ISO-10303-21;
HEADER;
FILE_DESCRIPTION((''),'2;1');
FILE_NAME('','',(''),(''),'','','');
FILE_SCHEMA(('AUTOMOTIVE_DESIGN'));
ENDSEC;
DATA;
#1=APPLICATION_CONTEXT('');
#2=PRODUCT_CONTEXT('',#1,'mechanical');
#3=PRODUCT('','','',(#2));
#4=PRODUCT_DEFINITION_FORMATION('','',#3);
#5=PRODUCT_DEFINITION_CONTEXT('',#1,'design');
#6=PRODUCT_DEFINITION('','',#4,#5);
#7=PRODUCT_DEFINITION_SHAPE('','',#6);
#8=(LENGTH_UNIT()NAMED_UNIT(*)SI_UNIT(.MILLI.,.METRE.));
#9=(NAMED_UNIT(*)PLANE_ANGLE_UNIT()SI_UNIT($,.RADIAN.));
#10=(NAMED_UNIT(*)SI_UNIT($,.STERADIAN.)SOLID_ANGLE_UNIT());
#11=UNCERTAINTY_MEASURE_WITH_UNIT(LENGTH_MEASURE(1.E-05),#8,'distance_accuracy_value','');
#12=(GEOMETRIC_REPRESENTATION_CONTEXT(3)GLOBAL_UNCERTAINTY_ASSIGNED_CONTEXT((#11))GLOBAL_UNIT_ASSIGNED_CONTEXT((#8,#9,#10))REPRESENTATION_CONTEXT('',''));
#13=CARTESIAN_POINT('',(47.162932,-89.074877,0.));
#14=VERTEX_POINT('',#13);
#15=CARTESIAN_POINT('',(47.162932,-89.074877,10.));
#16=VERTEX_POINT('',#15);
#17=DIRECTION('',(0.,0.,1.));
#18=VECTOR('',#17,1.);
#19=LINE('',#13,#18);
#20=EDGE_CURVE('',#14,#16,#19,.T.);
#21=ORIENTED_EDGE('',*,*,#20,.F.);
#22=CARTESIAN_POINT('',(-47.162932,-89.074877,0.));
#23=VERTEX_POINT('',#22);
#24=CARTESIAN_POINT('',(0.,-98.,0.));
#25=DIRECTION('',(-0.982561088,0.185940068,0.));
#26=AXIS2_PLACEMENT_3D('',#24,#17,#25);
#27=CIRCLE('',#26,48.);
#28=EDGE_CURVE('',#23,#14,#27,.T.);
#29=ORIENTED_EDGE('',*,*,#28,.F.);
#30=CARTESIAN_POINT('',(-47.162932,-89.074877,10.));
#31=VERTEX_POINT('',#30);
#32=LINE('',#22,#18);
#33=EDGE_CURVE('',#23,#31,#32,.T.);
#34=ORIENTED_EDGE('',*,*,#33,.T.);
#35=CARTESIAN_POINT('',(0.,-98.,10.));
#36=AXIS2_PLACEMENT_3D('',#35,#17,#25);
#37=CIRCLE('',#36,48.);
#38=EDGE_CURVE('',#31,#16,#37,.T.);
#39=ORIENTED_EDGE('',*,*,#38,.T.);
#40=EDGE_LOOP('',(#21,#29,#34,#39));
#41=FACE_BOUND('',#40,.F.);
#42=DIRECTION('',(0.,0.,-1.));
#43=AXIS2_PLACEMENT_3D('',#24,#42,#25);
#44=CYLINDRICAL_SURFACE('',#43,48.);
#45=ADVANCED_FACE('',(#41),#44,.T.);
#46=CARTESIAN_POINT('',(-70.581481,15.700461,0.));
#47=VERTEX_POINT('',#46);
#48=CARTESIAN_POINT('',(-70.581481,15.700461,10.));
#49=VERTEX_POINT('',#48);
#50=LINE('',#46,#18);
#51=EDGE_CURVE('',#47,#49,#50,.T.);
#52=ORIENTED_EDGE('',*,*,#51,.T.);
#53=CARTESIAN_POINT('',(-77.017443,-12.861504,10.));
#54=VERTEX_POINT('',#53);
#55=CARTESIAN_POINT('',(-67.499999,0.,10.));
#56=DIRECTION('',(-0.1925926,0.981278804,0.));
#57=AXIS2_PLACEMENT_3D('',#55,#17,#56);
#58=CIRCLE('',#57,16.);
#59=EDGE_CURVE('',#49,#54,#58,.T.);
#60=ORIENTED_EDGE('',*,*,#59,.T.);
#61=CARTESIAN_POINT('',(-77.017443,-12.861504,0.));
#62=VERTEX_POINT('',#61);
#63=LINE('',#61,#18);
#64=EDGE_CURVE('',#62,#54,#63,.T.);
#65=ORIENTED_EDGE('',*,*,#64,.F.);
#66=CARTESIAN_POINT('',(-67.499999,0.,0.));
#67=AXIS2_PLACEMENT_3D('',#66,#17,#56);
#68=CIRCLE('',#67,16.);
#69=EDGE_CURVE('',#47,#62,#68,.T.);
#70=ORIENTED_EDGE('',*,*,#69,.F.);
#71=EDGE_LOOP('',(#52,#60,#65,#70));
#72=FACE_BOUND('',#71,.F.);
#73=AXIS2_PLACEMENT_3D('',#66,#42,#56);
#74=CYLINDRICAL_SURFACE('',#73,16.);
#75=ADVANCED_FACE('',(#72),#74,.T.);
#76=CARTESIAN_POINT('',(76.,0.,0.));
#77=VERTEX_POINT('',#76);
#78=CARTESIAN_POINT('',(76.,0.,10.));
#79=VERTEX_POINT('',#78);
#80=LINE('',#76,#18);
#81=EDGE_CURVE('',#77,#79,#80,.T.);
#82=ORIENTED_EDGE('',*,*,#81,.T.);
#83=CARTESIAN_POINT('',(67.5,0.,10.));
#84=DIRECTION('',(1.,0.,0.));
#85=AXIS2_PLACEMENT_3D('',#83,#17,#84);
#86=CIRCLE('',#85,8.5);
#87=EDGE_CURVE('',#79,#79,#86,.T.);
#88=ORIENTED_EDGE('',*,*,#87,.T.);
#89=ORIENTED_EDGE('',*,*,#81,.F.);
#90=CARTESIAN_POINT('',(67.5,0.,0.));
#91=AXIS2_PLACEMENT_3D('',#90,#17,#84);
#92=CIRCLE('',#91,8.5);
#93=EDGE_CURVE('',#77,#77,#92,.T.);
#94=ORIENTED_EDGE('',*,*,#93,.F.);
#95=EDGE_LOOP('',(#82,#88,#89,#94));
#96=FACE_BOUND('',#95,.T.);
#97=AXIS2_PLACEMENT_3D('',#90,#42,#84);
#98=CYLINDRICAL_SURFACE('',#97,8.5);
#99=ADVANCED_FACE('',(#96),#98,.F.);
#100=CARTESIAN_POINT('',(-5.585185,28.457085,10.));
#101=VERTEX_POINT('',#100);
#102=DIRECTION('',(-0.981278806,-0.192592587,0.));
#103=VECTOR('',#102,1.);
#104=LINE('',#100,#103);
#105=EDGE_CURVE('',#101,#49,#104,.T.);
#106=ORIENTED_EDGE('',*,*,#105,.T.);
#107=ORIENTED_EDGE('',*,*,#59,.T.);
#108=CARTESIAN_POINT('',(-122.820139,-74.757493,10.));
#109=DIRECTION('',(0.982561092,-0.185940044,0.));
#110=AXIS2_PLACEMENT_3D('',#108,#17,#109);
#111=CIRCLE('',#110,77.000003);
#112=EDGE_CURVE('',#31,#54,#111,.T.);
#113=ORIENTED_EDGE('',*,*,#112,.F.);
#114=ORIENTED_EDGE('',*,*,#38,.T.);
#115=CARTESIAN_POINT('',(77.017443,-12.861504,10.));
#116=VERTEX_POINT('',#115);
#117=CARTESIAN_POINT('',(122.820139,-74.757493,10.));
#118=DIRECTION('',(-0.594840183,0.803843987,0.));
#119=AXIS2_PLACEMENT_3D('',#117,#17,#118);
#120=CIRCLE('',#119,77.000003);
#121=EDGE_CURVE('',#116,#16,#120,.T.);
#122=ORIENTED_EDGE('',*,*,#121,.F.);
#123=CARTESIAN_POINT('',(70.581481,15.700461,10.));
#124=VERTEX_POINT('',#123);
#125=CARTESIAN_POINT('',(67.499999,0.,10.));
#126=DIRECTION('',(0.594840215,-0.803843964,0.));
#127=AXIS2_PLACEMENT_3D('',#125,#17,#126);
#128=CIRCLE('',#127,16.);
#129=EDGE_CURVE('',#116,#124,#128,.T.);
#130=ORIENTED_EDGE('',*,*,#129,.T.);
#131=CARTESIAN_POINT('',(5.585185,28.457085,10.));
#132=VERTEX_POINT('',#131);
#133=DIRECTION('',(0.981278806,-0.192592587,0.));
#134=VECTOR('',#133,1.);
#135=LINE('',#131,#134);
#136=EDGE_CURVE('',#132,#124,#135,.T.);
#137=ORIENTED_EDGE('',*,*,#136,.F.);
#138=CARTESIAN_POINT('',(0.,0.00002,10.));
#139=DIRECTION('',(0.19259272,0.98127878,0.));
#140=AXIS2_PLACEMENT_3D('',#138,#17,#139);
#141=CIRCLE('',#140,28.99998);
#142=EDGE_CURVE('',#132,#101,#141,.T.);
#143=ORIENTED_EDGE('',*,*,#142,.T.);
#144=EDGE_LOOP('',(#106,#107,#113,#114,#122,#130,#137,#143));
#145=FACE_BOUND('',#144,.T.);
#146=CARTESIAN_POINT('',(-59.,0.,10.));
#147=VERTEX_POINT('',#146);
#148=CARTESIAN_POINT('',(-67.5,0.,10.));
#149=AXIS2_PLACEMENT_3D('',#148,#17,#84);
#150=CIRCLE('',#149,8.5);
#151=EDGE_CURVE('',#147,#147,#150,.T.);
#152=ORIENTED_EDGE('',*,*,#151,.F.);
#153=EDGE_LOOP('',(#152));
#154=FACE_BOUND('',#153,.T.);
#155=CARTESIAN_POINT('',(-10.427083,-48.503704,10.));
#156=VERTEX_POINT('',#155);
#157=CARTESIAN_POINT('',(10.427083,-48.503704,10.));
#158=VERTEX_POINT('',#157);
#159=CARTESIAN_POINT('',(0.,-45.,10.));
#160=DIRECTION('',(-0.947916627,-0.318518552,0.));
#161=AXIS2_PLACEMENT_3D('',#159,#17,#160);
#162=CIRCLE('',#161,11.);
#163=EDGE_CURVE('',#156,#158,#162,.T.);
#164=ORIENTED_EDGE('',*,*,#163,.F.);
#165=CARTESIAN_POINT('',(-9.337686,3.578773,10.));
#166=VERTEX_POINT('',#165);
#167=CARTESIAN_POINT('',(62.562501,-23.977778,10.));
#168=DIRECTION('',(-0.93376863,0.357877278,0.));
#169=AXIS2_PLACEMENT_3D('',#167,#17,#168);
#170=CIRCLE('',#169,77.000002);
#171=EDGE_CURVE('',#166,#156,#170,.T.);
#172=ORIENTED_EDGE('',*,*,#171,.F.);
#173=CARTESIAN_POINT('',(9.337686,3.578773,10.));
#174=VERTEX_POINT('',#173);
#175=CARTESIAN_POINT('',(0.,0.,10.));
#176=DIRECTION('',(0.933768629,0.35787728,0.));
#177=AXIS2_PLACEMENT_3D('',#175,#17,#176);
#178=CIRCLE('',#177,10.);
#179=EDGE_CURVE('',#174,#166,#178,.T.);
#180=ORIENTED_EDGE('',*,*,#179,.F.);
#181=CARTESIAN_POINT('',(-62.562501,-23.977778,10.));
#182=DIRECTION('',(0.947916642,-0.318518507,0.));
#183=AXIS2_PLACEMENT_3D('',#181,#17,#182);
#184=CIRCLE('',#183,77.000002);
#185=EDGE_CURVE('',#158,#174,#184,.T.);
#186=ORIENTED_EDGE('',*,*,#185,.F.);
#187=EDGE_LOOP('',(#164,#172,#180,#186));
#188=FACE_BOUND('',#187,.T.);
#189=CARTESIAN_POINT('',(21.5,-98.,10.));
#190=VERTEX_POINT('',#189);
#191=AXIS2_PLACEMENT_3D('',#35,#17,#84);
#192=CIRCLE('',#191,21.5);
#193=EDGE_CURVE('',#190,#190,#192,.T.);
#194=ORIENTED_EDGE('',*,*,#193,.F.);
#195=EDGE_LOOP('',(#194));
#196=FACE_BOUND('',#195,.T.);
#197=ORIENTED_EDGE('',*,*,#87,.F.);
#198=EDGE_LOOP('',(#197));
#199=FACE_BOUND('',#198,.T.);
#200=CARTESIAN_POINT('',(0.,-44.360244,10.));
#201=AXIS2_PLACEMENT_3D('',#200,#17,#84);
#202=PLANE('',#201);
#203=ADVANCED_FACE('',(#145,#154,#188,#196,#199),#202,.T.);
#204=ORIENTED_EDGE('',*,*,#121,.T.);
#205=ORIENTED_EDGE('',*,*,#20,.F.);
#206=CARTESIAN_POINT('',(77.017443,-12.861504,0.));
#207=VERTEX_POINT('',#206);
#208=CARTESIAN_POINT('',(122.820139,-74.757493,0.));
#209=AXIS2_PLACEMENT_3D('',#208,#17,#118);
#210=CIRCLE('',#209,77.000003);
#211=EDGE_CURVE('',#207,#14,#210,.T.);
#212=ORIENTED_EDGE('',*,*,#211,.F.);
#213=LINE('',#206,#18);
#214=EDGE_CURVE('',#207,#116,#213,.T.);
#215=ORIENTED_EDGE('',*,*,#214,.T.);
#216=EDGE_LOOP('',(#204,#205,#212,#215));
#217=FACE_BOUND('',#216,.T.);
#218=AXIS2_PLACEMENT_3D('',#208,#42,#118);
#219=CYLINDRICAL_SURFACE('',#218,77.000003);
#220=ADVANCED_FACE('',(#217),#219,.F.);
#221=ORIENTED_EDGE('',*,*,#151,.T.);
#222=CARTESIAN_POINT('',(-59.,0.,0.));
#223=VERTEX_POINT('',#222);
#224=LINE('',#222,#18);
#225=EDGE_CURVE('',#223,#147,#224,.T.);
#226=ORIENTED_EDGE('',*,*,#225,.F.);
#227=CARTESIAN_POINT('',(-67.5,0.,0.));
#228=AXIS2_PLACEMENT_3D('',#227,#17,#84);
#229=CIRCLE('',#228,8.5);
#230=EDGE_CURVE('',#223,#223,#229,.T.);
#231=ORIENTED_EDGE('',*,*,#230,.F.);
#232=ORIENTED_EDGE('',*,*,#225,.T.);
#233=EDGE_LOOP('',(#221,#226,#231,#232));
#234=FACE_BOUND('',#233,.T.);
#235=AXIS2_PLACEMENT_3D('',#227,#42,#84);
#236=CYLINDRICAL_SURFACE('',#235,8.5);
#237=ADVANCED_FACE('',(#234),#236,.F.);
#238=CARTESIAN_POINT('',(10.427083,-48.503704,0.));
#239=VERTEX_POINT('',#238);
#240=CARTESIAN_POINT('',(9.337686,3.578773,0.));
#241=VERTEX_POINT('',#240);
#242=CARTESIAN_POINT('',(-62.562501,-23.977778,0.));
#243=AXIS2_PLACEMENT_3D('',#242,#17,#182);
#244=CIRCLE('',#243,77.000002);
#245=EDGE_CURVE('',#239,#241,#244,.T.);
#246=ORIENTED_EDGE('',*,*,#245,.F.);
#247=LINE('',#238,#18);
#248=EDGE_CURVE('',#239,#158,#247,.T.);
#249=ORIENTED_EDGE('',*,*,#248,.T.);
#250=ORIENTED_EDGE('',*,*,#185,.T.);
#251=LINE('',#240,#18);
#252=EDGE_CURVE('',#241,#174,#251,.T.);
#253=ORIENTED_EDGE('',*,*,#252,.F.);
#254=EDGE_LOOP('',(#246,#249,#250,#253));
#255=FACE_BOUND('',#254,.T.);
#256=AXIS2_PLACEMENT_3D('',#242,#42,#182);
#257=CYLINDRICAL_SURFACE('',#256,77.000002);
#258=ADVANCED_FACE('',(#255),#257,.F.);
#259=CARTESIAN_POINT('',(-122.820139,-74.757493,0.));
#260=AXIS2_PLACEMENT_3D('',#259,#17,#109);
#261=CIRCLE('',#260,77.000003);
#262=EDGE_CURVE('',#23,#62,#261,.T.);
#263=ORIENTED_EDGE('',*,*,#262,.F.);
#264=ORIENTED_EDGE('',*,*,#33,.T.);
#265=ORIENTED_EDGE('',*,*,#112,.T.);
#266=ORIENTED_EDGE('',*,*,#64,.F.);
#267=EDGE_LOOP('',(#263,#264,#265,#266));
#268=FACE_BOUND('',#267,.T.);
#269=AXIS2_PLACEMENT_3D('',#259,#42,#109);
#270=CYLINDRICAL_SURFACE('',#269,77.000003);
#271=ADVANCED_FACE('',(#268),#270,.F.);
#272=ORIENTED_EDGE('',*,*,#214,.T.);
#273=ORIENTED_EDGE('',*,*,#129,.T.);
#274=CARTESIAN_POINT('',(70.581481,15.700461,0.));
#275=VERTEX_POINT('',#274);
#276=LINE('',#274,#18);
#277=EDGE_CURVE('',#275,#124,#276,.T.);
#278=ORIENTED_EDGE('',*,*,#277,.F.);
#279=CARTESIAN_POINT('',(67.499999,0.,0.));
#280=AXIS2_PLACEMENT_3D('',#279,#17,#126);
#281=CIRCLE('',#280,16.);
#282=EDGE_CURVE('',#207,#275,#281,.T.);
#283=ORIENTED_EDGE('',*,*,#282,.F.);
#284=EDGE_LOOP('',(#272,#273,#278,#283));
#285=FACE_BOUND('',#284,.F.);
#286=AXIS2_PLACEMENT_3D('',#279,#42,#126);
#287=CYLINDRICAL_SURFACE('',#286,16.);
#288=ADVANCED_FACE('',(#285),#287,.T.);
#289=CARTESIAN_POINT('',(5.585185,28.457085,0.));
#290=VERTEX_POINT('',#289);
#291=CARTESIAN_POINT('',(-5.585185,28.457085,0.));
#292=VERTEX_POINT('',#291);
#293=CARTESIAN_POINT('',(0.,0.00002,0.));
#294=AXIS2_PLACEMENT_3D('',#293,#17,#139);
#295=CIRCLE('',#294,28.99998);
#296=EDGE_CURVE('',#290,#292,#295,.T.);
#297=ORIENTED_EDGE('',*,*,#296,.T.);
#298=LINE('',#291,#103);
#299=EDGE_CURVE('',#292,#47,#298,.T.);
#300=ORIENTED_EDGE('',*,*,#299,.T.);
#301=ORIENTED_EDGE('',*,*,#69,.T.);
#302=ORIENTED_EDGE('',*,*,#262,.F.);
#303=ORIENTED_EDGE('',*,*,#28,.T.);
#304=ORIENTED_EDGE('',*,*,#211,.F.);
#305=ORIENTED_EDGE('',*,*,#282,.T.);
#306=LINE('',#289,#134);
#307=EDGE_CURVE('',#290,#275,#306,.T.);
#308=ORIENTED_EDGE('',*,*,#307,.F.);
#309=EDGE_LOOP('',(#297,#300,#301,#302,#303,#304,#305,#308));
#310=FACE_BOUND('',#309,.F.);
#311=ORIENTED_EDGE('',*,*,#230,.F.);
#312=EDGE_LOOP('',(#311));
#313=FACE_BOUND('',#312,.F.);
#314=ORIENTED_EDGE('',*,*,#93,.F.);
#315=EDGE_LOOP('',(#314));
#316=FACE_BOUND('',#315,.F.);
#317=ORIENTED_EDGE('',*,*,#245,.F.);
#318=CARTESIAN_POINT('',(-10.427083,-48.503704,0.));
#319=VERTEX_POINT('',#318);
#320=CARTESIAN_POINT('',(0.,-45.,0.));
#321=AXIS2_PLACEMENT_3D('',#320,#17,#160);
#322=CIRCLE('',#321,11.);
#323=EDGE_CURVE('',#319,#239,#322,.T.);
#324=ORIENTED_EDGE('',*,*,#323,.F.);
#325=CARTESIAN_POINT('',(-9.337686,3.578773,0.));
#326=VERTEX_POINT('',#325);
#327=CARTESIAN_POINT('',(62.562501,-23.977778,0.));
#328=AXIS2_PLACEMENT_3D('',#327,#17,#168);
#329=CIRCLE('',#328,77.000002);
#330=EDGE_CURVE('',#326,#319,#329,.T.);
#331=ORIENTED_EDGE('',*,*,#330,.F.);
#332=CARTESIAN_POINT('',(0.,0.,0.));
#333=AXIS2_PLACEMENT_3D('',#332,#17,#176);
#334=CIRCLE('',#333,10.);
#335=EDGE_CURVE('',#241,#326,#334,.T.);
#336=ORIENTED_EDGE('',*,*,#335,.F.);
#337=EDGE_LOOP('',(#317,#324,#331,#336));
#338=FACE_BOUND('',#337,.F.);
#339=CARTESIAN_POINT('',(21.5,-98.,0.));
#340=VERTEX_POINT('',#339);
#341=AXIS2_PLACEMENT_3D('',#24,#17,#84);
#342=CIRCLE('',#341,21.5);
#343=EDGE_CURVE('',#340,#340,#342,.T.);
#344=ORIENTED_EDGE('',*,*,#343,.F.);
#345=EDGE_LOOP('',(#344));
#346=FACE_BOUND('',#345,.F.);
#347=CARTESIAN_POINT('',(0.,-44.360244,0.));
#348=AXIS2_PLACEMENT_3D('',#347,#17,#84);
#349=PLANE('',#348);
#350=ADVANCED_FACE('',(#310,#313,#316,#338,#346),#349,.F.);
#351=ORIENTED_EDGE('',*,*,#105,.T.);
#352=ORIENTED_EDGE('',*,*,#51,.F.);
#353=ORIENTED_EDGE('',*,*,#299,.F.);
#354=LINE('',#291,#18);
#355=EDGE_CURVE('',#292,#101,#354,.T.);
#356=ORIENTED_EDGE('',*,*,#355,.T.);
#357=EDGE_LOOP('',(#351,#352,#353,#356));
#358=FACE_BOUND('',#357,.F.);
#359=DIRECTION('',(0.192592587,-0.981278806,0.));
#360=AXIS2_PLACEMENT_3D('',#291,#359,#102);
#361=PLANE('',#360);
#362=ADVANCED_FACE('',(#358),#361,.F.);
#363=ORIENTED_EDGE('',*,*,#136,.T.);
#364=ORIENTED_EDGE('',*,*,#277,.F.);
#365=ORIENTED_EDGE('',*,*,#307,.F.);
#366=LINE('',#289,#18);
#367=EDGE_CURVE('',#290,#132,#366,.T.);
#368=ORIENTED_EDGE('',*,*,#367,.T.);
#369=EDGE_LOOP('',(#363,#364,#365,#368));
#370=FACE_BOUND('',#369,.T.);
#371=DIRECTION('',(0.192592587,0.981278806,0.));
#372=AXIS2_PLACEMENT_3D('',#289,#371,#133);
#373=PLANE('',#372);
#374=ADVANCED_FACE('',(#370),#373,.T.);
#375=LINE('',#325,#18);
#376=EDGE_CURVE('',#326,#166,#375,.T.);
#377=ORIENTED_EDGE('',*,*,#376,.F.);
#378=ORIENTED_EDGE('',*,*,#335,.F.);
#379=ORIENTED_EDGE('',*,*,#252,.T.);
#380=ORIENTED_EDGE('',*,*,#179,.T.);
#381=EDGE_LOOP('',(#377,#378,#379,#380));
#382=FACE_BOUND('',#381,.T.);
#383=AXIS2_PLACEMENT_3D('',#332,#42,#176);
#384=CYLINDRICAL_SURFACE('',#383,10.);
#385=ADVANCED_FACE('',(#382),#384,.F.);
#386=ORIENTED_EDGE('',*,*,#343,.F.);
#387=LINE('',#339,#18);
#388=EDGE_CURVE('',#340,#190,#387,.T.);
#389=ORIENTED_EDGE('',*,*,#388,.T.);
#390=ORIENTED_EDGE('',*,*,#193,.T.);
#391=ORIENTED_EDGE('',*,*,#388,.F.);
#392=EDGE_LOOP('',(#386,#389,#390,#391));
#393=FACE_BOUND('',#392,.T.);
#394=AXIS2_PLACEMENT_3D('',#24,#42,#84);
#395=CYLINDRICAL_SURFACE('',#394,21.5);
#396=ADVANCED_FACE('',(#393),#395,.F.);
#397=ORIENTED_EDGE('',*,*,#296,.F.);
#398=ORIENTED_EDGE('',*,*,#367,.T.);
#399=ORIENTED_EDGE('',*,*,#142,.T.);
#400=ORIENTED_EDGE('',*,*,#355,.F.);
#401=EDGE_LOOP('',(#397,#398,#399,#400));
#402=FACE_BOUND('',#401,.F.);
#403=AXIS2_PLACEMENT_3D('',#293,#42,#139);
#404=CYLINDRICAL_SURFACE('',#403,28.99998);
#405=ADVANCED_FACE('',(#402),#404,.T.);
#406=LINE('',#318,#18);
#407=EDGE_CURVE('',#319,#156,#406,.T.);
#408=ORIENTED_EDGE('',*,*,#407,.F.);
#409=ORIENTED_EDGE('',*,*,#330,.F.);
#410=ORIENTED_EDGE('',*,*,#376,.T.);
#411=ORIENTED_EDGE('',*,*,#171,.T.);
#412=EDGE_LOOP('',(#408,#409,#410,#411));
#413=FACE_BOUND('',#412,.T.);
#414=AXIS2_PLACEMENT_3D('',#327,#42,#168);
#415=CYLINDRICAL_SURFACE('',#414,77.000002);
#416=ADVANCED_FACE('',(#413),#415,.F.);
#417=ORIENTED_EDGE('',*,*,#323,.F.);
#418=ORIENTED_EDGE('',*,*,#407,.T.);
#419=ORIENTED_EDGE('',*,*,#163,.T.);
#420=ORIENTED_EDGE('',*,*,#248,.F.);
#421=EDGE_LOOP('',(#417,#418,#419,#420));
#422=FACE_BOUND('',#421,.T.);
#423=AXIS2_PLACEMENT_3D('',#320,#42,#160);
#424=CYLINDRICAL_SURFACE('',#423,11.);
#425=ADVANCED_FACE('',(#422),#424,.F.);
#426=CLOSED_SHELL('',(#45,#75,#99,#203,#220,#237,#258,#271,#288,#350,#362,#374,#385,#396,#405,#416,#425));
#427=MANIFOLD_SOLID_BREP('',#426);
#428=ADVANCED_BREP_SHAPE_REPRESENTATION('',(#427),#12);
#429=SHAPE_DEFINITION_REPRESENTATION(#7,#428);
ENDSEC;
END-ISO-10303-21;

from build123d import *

# Parameters (mm, degrees)
SKETCH_R   = 8.5
SKETCH_R_2 = 21.5
PAD_DEPTH  = 10


with BuildPart() as part:
    # Sketch → Pad (new body)
    with BuildSketch(Plane.XY):
        with BuildLine():
            ThreePointArc((-47.162932, -89.074877), (0, -146), (47.162932, -89.074877))
            ThreePointArc((77.017443, -12.861504), (51.124626, -46.672731), (47.162932, -89.074877))
            ThreePointArc((77.017443, -12.861504), (83.108641, 3.517146), (70.581481, 15.700461))
            Line((5.585185, 28.457085), (70.581481, 15.700461))
            ThreePointArc((5.585185, 28.457085), (0, 29), (-5.585185, 28.457085))
            Line((-5.585185, 28.457085), (-70.581481, 15.700461))
            ThreePointArc((-70.581481, 15.700461), (-83.108641, 3.517146), (-77.017443, -12.861504))
            ThreePointArc((-47.162932, -89.074877), (-51.124626, -46.672731), (-77.017443, -12.861504))
        make_face()
        with Locations((-67.5, 0)):
            Circle(SKETCH_R, mode=Mode.SUBTRACT)
        with Locations((67.5, 0)):
            Circle(SKETCH_R, mode=Mode.SUBTRACT)
        with Locations((0, -98)):
            Circle(SKETCH_R_2, mode=Mode.SUBTRACT)
        with BuildLine():
            ThreePointArc((9.337686, 3.578773), (0, 10), (-9.337686, 3.578773))
            ThreePointArc((-9.337686, 3.578773), (-14.420663, -22.367539), (-10.427083, -48.503704))
            ThreePointArc((-10.427083, -48.503704), (0, -56), (10.427083, -48.503704))
            ThreePointArc((10.427083, -48.503704), (14.420663, -22.367539), (9.337686, 3.578773))
        make_face(mode=Mode.SUBTRACT)
    extrude(amount=PAD_DEPTH)


solid = part.part
